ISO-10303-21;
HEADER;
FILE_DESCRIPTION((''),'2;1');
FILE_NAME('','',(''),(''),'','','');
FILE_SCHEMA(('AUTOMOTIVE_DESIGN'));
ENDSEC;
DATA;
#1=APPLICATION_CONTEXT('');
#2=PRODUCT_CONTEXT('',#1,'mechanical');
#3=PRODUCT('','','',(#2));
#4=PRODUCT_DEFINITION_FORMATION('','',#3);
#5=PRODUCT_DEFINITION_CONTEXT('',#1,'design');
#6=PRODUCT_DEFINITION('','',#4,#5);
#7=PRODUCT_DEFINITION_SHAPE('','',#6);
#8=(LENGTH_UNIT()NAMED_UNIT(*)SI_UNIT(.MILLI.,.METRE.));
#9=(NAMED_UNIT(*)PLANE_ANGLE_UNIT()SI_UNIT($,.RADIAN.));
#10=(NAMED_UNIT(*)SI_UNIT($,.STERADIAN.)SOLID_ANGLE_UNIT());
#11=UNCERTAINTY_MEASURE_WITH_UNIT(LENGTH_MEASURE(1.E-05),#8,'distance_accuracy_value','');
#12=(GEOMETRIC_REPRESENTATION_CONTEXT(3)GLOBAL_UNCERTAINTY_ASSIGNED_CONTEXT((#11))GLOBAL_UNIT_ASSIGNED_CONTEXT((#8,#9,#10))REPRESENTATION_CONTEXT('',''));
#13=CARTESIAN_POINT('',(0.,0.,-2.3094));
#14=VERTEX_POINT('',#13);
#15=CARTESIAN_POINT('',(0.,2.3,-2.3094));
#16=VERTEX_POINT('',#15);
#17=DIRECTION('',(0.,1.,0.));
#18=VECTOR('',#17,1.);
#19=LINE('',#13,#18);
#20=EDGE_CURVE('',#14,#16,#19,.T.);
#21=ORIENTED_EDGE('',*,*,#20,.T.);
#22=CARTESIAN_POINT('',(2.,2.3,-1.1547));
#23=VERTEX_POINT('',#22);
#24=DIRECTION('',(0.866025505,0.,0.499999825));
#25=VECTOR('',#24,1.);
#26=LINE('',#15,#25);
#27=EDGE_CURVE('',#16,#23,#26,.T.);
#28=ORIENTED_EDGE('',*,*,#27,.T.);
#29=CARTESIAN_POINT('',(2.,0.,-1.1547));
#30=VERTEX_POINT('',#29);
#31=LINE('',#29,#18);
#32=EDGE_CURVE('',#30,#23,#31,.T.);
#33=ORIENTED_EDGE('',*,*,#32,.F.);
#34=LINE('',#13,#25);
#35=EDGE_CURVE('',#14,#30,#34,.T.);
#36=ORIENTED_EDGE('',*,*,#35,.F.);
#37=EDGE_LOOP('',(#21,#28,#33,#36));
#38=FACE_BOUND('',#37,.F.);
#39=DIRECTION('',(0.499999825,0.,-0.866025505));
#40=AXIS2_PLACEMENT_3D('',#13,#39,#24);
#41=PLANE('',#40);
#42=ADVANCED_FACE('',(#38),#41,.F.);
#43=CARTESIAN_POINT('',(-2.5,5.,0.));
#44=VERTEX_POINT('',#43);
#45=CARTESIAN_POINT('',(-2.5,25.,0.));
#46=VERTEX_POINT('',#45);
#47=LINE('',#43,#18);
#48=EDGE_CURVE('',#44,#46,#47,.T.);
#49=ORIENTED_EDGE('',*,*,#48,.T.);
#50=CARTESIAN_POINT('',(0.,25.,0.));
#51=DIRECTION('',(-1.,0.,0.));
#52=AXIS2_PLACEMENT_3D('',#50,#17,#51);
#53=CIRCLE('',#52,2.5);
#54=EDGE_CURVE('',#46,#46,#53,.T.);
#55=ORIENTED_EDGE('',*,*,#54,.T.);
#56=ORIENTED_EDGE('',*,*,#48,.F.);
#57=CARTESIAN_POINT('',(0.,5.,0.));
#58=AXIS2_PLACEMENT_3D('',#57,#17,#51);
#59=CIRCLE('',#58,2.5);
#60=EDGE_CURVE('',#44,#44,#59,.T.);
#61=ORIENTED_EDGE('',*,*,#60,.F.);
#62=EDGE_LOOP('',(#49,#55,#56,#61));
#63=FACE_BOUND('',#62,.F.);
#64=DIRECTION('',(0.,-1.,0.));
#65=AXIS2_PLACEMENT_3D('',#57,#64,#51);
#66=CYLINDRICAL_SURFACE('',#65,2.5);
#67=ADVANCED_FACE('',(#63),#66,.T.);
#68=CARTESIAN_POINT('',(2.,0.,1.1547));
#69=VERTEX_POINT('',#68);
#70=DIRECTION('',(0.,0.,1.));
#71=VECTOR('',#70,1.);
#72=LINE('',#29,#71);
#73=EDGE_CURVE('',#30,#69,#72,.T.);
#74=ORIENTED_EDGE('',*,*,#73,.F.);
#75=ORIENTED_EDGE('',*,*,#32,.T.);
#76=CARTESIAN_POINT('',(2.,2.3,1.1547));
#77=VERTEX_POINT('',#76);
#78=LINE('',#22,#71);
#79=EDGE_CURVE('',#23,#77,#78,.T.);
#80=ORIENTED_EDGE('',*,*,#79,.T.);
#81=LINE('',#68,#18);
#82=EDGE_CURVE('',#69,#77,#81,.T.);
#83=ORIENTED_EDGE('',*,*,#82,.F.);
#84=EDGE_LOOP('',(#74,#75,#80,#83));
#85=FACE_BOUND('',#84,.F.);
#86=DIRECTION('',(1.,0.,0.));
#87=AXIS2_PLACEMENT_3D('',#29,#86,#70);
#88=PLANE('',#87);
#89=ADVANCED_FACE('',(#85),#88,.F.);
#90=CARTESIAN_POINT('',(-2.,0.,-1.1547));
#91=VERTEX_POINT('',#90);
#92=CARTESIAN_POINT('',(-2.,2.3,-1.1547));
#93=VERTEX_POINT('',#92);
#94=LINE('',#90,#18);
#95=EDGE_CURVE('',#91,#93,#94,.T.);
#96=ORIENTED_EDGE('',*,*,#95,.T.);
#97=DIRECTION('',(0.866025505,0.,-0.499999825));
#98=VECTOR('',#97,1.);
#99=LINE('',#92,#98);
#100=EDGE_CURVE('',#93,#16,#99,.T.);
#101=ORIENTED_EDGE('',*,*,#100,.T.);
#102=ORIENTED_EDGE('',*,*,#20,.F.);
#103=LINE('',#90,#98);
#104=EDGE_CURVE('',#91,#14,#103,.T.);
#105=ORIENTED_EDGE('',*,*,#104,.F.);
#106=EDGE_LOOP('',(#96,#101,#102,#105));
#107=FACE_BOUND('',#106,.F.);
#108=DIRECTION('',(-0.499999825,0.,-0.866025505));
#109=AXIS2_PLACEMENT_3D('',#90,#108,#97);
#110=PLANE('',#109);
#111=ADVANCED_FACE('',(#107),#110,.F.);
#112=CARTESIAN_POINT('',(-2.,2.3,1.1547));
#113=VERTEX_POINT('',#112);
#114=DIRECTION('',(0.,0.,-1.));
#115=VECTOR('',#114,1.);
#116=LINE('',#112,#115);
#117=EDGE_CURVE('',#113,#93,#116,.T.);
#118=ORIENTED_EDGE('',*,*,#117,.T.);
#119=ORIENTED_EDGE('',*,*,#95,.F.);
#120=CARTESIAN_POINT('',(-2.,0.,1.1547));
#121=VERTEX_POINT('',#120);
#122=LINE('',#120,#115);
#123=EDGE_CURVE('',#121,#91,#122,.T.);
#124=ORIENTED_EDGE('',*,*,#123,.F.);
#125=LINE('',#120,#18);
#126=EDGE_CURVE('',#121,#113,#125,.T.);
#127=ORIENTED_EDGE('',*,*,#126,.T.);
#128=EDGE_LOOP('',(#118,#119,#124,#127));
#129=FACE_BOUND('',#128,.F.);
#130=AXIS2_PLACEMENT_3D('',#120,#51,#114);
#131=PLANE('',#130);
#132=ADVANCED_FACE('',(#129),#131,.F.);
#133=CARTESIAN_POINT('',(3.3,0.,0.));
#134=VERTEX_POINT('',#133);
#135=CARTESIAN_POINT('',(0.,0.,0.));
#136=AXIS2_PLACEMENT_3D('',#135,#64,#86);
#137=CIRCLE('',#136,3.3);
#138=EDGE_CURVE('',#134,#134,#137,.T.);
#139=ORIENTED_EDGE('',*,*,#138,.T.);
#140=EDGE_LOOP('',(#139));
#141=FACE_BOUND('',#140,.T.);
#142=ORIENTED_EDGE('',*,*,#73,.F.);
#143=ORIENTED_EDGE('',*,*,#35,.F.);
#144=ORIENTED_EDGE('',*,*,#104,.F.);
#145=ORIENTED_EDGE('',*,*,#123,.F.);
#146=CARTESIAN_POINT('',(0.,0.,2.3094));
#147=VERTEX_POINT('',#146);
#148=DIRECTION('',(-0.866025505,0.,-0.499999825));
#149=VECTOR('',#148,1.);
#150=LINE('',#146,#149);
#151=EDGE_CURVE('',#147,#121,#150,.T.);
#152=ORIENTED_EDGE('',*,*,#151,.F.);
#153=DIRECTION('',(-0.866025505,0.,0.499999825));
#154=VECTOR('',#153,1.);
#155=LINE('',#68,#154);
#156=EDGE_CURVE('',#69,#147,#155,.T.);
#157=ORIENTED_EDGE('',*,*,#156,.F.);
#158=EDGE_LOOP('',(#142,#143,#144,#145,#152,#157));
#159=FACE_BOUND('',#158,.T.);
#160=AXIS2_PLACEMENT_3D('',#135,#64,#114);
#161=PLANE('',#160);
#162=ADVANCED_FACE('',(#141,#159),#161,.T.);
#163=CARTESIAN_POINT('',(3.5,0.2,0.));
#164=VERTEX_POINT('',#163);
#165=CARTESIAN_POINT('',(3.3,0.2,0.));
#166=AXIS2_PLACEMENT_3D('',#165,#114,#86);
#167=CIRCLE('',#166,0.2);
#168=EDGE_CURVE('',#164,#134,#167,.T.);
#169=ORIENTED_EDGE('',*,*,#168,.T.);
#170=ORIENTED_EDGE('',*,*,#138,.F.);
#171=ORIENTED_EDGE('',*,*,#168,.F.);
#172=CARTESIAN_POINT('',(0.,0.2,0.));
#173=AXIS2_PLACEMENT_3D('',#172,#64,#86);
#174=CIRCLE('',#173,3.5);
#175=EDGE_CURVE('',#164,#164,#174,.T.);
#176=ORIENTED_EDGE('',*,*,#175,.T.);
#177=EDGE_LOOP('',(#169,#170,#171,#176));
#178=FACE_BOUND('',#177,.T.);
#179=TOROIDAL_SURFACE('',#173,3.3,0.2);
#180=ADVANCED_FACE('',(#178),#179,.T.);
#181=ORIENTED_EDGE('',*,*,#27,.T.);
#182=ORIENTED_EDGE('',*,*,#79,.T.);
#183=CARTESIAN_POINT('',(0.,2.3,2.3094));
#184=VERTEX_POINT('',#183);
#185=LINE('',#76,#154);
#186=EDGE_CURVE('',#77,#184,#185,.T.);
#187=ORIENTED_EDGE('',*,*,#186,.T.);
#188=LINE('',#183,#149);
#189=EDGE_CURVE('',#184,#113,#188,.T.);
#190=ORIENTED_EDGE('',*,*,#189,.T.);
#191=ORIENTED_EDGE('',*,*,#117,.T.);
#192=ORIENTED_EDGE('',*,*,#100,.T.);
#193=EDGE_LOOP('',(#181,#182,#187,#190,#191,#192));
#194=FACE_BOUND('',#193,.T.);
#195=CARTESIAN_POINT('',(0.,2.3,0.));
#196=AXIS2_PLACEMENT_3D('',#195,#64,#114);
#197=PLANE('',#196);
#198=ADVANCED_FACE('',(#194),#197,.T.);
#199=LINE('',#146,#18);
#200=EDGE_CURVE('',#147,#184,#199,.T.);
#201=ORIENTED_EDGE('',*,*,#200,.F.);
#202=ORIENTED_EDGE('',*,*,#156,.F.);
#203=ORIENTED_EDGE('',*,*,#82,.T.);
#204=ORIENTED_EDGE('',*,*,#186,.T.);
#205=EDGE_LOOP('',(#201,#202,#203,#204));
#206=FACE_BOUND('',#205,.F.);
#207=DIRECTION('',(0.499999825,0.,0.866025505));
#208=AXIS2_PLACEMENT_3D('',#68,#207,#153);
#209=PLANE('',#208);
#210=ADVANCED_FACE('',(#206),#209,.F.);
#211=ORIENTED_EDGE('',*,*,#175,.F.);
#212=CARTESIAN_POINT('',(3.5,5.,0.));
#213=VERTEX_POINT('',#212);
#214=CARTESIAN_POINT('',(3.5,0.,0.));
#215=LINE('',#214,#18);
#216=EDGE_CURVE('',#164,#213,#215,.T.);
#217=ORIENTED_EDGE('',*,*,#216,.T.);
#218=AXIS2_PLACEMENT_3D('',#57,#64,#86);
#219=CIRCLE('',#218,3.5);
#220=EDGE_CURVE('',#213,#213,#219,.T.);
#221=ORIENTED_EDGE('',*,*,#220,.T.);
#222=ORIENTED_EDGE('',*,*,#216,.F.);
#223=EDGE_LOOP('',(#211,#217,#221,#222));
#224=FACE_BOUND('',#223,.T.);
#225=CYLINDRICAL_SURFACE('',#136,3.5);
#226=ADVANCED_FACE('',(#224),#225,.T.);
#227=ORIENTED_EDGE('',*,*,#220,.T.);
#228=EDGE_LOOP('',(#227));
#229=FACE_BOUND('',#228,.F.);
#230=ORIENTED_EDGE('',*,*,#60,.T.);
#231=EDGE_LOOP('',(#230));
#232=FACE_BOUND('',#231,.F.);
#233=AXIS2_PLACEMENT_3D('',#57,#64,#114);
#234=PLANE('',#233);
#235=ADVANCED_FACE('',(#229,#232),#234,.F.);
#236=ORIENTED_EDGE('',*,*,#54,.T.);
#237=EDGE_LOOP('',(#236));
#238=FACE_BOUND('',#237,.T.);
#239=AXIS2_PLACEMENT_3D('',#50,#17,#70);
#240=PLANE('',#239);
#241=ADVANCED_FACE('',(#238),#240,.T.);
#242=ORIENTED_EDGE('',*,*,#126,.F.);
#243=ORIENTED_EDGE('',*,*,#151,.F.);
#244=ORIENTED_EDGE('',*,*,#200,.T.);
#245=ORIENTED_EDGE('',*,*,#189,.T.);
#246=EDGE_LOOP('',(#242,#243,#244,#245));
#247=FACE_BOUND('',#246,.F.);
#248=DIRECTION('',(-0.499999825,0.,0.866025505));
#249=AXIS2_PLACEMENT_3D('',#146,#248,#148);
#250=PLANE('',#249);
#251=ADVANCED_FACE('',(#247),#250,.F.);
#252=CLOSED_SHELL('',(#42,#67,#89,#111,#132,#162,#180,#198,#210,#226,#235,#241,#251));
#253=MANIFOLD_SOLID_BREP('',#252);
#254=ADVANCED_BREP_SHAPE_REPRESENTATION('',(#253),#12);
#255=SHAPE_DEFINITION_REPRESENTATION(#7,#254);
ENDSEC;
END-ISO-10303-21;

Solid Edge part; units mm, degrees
sketch "Sketch1" plane through (0, 0, 0) normal (0, -1, 0) x (1, 0, 0)
  circle A0 centre (0, 0) radius 3.5
extrude "Protrusion1" add sketch "Sketch1" against normal blind 5
sketch "Sketch2" plane through (0, 5, 0) normal (0, 1, 0) x (-1, 0, 0)
  circle A0 centre (0, 0) radius 2.5
extrude "ExtrudedProtrusion_2" add sketch "Sketch2" along normal blind 20
fillet "Round_1" radius 0.2 1 edges at (-3.5, 0, 0)
sketch "Sketch3" plane through (0, 0, 0) normal (0, -1, 0) x (1, 0, 0)
  line L0 (0, 2.3094) -> (-2, 1.1547)
  line L1 (-2, 1.1547) -> (-2, -1.1547)
  line L2 (-2, -1.1547) -> (0, -2.3094)
  line L3 (0, -2.3094) -> (2, -1.1547)
  line L4 (2, -1.1547) -> (2, 1.1547)
  line L5 (2, 1.1547) -> (0, 2.3094)
extrude "ExtrudedCutout_2" cut sketch "Sketch3" against normal blind 2.3
properties material "Steel"
